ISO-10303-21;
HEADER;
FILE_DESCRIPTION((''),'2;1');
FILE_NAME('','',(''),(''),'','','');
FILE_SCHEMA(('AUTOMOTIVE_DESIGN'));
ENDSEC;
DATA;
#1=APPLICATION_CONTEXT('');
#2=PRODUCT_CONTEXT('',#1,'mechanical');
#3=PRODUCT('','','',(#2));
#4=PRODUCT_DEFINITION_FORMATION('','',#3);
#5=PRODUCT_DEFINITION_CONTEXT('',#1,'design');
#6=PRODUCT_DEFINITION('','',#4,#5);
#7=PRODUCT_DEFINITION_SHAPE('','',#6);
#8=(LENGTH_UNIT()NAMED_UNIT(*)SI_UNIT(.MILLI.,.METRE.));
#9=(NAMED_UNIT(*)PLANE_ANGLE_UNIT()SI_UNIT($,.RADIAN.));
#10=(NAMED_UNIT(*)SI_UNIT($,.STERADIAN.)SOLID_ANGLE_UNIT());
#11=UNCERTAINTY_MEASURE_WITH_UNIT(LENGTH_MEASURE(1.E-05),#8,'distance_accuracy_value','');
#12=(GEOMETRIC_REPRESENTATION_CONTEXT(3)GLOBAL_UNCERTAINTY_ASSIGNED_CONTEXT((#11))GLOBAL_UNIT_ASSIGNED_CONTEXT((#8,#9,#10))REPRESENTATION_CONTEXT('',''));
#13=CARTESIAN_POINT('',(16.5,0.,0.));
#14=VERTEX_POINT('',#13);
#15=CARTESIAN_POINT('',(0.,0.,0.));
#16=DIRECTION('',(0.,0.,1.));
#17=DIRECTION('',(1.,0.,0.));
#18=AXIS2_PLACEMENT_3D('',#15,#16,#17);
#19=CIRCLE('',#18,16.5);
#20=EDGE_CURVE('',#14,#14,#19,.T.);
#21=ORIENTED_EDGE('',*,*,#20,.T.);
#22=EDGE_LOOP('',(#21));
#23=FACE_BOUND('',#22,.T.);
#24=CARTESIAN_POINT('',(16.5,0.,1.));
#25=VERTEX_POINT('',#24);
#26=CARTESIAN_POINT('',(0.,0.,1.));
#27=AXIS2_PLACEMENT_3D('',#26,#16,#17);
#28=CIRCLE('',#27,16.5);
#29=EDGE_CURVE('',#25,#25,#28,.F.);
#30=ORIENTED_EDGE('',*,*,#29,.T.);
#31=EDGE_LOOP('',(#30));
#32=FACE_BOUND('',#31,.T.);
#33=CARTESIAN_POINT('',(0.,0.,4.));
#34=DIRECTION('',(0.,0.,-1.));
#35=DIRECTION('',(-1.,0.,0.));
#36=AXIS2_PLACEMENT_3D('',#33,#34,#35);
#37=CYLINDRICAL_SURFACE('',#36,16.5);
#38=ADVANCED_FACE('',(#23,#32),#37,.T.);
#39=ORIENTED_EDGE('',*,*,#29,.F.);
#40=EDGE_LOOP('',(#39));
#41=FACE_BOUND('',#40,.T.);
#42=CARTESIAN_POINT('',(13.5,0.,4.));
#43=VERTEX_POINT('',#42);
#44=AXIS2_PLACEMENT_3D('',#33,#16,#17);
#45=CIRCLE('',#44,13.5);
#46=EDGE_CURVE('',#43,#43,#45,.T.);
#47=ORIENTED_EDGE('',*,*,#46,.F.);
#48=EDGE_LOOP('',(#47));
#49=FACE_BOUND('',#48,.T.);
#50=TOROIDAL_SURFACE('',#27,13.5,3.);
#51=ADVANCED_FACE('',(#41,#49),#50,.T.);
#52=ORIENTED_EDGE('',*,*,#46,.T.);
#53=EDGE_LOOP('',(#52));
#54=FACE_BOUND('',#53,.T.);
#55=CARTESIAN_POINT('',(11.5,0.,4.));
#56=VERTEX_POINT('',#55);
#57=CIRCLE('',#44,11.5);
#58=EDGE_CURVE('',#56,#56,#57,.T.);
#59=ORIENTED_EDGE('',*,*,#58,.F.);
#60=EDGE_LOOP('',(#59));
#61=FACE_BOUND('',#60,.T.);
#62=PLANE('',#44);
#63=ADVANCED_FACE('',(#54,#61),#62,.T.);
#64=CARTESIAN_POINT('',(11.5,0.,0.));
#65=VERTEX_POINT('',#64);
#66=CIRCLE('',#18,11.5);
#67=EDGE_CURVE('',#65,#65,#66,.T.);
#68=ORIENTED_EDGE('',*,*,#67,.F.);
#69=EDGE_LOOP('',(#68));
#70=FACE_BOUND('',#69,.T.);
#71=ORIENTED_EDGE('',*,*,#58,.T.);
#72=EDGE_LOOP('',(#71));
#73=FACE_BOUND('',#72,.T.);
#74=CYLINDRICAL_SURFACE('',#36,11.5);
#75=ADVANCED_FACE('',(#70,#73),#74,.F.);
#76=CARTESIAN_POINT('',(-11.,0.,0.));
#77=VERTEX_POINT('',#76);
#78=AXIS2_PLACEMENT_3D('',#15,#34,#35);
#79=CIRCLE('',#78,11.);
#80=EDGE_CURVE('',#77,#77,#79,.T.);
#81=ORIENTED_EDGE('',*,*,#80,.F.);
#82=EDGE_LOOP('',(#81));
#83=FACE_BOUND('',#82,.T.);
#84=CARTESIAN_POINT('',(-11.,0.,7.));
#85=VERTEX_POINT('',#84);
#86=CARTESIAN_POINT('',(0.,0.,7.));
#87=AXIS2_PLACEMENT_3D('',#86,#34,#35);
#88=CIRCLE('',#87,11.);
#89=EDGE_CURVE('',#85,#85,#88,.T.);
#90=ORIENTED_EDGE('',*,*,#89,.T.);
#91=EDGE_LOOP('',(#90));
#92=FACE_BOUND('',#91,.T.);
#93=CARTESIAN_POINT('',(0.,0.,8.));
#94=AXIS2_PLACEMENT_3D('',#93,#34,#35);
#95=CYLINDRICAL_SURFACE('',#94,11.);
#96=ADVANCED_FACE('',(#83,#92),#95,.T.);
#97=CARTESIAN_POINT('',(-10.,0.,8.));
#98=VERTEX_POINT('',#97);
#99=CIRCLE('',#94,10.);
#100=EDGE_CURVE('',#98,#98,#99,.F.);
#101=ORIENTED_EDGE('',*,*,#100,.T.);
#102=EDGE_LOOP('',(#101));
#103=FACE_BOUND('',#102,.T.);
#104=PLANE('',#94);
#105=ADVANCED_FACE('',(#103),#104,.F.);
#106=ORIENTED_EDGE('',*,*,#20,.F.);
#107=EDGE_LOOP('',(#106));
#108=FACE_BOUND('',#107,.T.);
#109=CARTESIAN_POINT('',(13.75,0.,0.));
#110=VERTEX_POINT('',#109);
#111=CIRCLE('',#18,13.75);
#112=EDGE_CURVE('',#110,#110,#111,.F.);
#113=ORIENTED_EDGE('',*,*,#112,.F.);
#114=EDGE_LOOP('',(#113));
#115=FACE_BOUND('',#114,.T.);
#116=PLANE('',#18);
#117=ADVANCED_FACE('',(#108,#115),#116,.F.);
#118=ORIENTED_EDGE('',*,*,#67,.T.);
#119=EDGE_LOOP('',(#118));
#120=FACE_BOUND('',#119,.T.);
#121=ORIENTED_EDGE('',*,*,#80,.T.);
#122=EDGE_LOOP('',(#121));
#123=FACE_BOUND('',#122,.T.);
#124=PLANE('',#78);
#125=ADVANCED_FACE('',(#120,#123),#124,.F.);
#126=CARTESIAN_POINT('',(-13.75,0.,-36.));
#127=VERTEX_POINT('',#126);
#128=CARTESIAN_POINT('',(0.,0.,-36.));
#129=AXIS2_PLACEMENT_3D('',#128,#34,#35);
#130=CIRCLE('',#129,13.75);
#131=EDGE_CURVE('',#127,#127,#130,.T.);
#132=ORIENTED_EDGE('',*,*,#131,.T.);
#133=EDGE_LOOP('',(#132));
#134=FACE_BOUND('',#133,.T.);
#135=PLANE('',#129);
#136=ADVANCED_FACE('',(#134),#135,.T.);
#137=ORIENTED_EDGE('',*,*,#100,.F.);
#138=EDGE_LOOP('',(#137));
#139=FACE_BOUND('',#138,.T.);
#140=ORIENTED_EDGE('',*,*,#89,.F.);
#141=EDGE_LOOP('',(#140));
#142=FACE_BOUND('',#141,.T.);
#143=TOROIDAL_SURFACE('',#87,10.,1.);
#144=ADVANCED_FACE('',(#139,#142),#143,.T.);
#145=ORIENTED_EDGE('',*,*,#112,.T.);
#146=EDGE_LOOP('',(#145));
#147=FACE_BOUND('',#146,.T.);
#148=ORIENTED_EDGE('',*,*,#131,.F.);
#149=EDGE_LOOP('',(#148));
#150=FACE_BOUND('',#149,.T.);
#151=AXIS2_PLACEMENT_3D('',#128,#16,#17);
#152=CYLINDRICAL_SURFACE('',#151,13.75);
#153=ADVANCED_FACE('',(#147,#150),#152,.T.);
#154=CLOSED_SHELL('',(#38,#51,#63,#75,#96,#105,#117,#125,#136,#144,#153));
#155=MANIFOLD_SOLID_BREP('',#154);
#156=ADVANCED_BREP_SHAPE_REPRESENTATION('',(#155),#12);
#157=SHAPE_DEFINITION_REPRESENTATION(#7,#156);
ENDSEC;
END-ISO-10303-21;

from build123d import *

# Parameters (mm, degrees)
ESQUISSE1_R        = 16.5
ESQUISSE1_R_2      = 11.5
BOSS_EXTRU_1_DEPTH = 4
CONG_1_R           = 3
ESQUISSE2_R        = 11
BOSS_EXTRU_2_DEPTH = 8
CONG_2_R           = 1
ESQUISSE3_R        = 13.75
BOSS_EXTRU_3_DEPTH = 36


with BuildPart() as part:
    # Esquisse1 → Boss.-Extru.1 (new body)
    with BuildSketch(Plane.XY):
        Circle(ESQUISSE1_R)
        Circle(ESQUISSE1_R_2, mode=Mode.SUBTRACT)
    extrude(amount=BOSS_EXTRU_1_DEPTH)

    # Congé1
    cong_1_edges = [part.edges().sort_by_distance(p)[0] for p in [
        (-16.5, 0, 4),
    ]]
    fillet(cong_1_edges, radius=CONG_1_R)



with BuildPart() as body_2:
    # Esquisse2 → Boss.-Extru.2 (new body)
    with BuildSketch(Plane(origin=(0, 0, 0), x_dir=(-1, 0, 0), z_dir=(0, 0, -1))):
        Circle(ESQUISSE2_R)
    extrude(amount=-BOSS_EXTRU_2_DEPTH)

    # Congé2
    cong_2_edges = [body_2.edges().sort_by_distance(p)[0] for p in [
        (11, 0, 8),
    ]]
    fillet(cong_2_edges, radius=CONG_2_R)


with BuildPart() as part_1:
    add(part.part)

    add(body_2.part)  # Boss.-Extru.3 merges body 2
    # Esquisse3 → Boss.-Extru.3 (add)
    with BuildSketch(Plane(origin=(0, 0, 0), x_dir=(-1, 0, 0), z_dir=(0, 0, -1))):
        with Locations(Location((0, 0, 0), (0, 0, 180))):
            Circle(ESQUISSE3_R)
    extrude(amount=BOSS_EXTRU_3_DEPTH)


solid = part_1.part
